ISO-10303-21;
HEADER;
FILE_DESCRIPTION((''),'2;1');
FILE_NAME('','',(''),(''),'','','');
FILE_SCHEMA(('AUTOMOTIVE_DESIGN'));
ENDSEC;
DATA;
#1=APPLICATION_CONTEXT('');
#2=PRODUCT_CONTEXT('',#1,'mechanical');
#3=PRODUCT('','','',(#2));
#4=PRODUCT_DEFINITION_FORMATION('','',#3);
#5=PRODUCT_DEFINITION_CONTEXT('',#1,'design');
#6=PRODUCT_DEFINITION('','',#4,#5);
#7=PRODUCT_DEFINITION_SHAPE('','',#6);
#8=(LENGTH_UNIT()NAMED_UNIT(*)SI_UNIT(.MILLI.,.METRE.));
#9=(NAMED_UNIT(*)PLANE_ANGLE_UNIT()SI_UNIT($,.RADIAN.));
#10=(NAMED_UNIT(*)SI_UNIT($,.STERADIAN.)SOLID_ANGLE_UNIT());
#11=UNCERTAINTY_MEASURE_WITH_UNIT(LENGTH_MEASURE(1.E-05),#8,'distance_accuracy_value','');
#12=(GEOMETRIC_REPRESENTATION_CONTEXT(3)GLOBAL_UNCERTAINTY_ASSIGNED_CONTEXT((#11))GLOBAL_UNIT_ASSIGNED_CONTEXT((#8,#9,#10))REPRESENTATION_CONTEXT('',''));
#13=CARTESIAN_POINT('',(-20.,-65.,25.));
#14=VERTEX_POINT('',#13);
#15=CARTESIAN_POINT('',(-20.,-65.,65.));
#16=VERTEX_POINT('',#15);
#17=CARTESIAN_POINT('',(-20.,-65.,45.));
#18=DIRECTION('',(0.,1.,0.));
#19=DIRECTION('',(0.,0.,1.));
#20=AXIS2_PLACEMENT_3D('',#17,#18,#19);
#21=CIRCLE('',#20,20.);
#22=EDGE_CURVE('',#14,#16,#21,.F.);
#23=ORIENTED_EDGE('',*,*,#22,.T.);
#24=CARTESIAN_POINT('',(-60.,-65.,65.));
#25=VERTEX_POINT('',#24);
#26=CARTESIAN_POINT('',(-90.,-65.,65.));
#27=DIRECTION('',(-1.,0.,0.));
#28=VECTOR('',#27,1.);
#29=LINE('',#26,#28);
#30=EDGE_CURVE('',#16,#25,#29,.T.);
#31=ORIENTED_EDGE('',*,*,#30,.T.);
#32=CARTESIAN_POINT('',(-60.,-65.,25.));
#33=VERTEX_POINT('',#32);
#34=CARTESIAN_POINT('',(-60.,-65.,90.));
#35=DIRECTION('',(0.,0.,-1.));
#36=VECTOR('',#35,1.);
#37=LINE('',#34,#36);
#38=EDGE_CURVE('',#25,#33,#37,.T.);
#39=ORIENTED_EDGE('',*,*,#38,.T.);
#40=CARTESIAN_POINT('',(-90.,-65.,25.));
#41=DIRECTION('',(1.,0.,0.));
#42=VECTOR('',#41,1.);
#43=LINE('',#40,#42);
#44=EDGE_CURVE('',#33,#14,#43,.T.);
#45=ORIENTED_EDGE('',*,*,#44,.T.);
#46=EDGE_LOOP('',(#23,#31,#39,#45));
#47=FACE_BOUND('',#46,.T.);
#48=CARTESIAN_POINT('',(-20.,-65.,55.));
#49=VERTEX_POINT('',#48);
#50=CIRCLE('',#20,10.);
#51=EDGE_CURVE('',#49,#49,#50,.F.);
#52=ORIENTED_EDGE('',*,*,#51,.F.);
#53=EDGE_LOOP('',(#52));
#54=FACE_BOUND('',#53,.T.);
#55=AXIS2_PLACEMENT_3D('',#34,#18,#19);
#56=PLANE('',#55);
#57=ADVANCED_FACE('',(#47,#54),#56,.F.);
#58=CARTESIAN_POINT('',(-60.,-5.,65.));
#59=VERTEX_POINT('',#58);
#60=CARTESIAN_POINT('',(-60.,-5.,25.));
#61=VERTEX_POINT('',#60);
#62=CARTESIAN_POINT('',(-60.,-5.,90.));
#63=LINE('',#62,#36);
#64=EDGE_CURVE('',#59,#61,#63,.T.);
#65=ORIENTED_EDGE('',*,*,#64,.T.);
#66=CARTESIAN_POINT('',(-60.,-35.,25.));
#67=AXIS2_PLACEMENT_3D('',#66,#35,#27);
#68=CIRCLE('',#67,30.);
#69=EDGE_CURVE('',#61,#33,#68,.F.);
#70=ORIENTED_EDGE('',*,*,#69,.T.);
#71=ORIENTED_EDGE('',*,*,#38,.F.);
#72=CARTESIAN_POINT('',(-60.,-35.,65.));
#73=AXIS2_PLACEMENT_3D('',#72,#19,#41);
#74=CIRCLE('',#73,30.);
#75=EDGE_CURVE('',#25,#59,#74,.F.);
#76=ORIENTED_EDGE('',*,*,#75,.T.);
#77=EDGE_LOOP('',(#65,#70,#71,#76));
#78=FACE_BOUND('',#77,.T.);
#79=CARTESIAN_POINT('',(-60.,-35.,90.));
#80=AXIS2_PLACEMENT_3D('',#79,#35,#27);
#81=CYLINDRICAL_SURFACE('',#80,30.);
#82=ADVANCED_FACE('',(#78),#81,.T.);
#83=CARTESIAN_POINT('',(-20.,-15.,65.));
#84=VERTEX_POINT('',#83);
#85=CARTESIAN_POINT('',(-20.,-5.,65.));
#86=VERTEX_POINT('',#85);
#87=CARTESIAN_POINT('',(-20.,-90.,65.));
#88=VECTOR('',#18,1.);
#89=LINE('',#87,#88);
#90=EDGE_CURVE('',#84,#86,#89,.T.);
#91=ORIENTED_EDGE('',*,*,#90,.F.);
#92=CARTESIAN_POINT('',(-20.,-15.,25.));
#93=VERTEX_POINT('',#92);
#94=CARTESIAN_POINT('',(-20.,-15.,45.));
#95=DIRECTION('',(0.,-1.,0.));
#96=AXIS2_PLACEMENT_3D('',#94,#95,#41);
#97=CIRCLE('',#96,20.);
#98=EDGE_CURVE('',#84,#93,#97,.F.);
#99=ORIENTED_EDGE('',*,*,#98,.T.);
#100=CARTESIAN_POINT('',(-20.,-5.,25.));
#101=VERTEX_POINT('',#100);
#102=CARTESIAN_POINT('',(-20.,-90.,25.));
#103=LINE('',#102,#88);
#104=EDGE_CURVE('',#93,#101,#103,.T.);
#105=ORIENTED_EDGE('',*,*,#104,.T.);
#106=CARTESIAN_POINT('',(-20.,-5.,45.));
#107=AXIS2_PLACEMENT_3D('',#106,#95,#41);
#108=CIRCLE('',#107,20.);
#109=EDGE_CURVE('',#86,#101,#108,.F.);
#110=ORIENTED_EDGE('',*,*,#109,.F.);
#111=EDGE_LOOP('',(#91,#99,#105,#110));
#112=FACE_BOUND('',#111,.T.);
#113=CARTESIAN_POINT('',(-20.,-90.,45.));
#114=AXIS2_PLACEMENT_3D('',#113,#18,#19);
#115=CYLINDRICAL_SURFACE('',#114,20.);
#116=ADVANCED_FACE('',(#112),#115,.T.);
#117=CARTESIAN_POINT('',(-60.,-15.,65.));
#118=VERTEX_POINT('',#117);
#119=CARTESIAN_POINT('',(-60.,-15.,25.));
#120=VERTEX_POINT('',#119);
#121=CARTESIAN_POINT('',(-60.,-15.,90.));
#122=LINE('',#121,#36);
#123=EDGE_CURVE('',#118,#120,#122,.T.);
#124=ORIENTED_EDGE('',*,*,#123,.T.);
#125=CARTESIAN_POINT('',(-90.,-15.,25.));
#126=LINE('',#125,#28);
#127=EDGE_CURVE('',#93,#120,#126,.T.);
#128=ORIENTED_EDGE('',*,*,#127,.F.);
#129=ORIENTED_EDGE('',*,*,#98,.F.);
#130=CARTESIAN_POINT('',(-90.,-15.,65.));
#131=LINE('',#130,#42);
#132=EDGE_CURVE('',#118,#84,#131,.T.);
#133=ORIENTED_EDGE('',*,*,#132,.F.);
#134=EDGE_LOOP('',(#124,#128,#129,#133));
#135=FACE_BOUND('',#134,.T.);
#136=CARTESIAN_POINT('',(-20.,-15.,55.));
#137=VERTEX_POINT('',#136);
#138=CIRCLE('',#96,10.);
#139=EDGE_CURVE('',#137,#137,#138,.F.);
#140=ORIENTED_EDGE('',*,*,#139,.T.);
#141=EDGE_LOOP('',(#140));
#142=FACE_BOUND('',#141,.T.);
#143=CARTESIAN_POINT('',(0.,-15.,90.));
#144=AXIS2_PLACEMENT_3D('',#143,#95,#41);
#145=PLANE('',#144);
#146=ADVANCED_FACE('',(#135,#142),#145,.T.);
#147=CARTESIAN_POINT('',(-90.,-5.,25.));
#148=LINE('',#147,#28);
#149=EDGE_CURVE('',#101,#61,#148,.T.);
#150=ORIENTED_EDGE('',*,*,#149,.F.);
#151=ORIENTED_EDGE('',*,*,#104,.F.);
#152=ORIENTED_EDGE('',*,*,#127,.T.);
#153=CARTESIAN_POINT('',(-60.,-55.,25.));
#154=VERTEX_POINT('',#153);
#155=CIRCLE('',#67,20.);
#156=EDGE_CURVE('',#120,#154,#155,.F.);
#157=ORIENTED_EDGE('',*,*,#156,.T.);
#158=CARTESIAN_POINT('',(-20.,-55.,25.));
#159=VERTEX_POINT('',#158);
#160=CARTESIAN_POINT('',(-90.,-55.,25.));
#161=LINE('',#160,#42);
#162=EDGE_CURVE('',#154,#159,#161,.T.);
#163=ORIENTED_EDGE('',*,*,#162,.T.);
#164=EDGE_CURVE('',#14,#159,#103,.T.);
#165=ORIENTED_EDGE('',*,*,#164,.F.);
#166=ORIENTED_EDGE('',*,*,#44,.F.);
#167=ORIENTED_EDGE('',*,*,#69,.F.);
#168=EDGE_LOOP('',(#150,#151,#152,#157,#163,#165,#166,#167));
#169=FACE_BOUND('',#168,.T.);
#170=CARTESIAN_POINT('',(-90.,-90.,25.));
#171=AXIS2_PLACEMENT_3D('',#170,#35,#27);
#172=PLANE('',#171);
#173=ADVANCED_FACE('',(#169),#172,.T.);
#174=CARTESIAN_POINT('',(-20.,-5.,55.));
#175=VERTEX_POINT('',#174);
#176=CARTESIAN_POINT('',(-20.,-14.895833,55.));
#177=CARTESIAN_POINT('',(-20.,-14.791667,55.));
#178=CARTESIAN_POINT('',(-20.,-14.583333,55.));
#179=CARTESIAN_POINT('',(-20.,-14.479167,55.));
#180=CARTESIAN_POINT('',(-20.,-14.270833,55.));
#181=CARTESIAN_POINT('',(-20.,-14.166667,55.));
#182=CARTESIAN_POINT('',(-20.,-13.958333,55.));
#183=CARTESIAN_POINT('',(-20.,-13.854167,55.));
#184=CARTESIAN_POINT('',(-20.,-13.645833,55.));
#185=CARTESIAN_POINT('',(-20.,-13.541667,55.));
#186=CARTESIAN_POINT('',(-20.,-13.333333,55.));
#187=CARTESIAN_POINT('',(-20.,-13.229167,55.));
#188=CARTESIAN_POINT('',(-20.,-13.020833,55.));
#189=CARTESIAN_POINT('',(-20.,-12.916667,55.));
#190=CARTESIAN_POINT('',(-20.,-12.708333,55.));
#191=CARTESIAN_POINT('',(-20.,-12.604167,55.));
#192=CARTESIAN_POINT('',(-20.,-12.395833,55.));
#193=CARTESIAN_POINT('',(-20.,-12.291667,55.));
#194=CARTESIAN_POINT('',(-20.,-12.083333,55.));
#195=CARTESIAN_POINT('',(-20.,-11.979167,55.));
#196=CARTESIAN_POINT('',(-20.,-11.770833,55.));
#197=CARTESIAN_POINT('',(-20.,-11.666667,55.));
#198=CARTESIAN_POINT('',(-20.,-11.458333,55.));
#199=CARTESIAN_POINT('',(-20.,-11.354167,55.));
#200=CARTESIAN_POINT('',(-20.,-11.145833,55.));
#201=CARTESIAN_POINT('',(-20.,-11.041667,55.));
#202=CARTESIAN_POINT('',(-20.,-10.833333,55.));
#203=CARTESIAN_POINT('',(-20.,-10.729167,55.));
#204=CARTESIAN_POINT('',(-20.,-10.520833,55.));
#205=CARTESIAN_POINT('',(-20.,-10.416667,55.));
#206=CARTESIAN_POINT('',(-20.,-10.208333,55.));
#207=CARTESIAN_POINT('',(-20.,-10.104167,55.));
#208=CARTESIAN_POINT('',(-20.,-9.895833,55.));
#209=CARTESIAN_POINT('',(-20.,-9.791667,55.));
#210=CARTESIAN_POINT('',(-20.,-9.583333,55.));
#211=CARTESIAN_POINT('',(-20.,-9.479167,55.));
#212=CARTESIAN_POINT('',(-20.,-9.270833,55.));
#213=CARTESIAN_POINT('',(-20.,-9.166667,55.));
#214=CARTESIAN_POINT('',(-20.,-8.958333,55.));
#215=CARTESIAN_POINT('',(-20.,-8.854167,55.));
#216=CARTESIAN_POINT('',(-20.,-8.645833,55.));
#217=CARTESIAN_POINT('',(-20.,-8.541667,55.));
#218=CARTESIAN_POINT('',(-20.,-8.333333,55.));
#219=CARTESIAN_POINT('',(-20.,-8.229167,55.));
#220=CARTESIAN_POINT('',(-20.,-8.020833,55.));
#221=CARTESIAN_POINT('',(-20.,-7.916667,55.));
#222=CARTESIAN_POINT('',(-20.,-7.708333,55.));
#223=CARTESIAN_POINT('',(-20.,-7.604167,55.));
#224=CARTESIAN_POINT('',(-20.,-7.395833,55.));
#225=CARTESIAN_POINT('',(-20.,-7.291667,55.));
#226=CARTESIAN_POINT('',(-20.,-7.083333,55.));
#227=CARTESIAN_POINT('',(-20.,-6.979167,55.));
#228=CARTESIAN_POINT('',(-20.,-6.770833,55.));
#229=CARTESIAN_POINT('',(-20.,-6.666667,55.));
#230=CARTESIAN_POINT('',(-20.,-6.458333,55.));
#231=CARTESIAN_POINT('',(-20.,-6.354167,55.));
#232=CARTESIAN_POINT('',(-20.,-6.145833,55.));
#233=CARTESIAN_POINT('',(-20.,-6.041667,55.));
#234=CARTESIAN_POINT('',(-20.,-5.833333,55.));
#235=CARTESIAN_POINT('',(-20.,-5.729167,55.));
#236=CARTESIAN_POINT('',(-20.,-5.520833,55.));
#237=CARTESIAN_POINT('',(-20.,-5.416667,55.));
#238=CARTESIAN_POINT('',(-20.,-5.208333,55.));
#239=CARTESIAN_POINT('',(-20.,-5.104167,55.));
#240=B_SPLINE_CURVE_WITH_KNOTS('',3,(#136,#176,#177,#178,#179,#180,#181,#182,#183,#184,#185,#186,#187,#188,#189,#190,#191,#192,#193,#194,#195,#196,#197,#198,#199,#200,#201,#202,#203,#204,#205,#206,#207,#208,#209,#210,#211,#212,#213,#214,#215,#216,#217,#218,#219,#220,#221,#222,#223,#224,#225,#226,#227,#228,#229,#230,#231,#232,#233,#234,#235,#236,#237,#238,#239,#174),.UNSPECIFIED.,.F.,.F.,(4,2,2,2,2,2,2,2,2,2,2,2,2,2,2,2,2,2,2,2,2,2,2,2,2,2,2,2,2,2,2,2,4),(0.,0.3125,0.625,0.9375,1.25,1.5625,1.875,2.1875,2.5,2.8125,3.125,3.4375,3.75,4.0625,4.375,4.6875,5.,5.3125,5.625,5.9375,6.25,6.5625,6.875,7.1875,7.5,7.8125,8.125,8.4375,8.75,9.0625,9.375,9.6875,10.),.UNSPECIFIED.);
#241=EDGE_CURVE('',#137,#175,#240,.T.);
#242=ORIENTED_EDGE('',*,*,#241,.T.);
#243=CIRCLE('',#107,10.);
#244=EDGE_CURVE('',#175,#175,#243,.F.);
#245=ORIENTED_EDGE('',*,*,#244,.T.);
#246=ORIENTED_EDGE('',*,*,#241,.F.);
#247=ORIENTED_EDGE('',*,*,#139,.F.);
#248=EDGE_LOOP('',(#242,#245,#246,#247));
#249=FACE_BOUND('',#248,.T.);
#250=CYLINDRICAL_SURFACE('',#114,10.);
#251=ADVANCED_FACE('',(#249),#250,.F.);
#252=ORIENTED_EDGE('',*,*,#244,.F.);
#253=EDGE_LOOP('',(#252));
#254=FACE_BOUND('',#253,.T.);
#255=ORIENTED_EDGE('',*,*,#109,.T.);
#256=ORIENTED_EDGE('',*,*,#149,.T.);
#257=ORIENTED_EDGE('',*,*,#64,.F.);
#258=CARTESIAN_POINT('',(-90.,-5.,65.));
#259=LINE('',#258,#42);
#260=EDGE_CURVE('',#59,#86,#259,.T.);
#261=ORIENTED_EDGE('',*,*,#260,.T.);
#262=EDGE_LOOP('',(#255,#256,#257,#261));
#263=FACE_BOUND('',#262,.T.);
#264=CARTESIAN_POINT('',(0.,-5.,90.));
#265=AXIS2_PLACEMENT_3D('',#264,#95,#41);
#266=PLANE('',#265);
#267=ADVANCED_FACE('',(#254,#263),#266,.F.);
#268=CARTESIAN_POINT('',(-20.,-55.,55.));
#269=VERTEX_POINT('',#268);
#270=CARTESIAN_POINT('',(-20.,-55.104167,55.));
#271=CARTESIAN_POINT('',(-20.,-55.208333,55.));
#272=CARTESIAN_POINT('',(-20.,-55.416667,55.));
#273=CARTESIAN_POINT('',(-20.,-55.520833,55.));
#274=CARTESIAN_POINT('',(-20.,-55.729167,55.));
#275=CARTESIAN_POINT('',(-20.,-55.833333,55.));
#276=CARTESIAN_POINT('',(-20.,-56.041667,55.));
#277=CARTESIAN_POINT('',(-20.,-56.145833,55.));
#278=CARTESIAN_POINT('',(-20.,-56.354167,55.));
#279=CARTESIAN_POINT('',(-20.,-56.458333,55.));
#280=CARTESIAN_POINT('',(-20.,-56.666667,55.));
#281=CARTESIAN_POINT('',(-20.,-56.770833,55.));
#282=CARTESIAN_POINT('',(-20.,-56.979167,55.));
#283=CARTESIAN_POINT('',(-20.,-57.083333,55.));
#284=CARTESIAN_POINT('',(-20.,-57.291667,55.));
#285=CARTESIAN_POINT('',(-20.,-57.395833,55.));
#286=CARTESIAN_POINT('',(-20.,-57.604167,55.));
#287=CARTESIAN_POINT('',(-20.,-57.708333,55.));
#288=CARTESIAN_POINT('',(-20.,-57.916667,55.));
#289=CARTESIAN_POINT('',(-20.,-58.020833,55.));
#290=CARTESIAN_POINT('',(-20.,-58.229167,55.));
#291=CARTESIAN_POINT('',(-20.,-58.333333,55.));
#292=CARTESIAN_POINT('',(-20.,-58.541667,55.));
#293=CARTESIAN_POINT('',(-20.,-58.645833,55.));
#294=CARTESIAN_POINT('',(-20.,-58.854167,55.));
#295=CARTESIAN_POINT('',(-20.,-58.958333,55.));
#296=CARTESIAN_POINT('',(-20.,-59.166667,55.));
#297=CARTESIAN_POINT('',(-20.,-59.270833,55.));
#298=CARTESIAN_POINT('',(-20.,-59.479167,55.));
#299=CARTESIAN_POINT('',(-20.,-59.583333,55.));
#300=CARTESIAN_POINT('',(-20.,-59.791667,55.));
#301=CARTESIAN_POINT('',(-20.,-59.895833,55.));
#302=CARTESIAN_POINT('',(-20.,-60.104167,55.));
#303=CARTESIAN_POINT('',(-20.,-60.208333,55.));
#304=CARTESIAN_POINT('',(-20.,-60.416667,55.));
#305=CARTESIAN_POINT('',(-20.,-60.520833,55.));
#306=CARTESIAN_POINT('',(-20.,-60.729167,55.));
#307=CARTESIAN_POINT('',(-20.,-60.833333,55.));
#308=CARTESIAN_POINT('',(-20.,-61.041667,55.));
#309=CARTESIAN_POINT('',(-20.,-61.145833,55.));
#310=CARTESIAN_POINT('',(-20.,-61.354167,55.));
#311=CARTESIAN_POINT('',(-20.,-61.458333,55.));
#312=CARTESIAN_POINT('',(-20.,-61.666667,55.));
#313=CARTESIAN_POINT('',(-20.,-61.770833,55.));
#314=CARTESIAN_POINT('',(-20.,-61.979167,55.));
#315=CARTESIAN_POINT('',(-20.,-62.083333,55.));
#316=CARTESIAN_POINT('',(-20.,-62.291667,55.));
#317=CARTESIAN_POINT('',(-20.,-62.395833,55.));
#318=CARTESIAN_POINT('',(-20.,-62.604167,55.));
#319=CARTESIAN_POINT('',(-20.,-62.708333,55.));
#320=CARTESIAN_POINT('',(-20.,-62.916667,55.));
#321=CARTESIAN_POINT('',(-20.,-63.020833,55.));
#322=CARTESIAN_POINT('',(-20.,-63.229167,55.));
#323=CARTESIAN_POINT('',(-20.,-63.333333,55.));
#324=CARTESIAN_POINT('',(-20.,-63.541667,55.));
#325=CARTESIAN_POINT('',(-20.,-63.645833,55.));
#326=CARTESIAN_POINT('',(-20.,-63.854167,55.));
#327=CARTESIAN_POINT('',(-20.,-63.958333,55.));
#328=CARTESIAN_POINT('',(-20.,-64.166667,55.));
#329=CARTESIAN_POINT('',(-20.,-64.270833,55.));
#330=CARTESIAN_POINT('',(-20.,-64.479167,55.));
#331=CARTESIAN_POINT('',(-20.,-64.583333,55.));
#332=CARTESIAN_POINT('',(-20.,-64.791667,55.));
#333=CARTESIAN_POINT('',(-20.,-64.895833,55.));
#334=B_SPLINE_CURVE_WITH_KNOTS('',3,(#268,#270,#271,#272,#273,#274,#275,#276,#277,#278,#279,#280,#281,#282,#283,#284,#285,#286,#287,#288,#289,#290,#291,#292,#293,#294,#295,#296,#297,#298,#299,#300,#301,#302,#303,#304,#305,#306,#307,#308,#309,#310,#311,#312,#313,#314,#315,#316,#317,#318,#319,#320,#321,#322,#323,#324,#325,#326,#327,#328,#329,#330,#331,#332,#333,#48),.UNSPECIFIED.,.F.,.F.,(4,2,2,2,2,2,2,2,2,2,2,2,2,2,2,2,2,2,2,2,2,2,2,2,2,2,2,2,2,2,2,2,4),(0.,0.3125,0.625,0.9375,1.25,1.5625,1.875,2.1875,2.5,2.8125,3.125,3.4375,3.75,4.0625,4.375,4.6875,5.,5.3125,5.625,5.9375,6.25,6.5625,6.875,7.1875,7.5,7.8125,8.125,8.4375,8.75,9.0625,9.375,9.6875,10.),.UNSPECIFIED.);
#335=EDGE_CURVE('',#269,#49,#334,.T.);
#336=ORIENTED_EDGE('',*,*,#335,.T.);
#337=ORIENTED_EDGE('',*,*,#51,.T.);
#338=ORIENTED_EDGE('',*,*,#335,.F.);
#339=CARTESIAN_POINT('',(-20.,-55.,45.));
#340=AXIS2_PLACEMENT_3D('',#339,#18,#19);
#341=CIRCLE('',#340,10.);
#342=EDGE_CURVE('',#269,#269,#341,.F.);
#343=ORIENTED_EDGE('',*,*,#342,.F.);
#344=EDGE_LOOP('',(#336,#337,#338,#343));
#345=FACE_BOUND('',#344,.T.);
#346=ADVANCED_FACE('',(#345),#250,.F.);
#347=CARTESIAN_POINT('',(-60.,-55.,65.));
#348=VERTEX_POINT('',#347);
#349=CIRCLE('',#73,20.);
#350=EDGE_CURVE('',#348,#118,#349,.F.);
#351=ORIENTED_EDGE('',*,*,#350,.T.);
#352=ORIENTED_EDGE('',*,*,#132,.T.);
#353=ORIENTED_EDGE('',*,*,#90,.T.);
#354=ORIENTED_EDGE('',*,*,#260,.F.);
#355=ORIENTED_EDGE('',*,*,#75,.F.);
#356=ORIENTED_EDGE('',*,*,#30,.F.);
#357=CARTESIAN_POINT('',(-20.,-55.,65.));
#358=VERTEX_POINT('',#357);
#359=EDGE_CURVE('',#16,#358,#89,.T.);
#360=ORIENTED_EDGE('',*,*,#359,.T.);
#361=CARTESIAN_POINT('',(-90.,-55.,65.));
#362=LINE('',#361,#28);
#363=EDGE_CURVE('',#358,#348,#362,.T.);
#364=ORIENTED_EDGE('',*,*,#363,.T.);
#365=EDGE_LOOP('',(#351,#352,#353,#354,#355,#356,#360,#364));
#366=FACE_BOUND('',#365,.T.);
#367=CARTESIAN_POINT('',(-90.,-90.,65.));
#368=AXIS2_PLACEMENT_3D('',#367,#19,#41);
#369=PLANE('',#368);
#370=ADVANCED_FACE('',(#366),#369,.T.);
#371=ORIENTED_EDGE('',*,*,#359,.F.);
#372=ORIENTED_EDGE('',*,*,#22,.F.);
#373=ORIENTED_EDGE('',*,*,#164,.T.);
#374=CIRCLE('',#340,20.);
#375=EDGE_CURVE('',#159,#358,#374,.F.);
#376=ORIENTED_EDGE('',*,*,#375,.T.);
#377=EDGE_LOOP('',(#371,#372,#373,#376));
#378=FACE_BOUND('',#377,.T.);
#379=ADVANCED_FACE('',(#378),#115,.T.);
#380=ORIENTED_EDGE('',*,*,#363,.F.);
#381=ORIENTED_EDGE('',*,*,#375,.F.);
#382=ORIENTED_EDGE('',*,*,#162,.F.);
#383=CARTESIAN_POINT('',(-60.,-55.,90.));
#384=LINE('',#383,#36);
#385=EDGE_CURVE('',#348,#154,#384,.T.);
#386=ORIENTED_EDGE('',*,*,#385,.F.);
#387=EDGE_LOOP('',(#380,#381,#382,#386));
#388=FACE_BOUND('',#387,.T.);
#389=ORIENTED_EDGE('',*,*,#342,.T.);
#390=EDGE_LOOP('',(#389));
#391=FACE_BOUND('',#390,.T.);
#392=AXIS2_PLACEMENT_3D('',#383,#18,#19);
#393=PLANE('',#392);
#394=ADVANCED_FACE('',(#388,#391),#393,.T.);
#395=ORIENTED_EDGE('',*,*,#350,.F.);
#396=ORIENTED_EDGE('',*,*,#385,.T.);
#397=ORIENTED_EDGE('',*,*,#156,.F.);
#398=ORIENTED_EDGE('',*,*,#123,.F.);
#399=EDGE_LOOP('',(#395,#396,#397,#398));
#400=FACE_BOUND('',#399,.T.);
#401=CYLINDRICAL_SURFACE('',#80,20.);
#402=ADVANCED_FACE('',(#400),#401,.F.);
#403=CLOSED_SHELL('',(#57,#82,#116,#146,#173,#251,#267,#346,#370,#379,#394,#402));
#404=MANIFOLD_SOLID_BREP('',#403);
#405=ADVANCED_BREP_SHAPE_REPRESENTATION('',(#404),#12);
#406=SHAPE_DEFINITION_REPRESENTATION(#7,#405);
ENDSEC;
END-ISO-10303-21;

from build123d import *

# Parameters (mm, degrees)
EXTRUDE_THIN1_DEPTH = 90
SKETCH2_R           = 10
BOSS_EXTRUDE1_DEPTH = 90


with BuildPart() as part:
    # Sketch1 → Extrude-Thin1 (new body)
    with BuildSketch(Plane.XY):
        with BuildLine():
            Line((0, -15), (-60, -15))
            ThreePointArc((-60, -15), (-80, -35), (-60, -55))
            Line((-60, -55), (0, -55))
            Line((0, -55), (0, -65))
            Line((0, -65), (-60, -65))
            ThreePointArc((-60, -65), (-90, -35), (-60, -5))
            Line((-60, -5), (0, -5))
            Line((0, -5), (0, -15))
        make_face()
    extrude(amount=EXTRUDE_THIN1_DEPTH)


with BuildPart() as body_2:
    # Sketch2 → Boss-Extrude1 (new body)
    with BuildSketch(Plane(origin=(0, 0, 0), x_dir=(1, 0, 0), z_dir=(0, 1, 0))):
        with BuildLine():
            Line((-90, -25), (-90, -65))
            Line((-90, -65), (-20, -65))
            ThreePointArc((-20, -65), (0, -45), (-20, -25))
            Line((-20, -25), (-90, -25))
        make_face()
        with Locations((-20, -45)):
            Circle(SKETCH2_R, mode=Mode.SUBTRACT)
    extrude(amount=-BOSS_EXTRUDE1_DEPTH)

    # Combine1: intersect part
    add(part.part, mode=Mode.INTERSECT)


solid = body_2.part
